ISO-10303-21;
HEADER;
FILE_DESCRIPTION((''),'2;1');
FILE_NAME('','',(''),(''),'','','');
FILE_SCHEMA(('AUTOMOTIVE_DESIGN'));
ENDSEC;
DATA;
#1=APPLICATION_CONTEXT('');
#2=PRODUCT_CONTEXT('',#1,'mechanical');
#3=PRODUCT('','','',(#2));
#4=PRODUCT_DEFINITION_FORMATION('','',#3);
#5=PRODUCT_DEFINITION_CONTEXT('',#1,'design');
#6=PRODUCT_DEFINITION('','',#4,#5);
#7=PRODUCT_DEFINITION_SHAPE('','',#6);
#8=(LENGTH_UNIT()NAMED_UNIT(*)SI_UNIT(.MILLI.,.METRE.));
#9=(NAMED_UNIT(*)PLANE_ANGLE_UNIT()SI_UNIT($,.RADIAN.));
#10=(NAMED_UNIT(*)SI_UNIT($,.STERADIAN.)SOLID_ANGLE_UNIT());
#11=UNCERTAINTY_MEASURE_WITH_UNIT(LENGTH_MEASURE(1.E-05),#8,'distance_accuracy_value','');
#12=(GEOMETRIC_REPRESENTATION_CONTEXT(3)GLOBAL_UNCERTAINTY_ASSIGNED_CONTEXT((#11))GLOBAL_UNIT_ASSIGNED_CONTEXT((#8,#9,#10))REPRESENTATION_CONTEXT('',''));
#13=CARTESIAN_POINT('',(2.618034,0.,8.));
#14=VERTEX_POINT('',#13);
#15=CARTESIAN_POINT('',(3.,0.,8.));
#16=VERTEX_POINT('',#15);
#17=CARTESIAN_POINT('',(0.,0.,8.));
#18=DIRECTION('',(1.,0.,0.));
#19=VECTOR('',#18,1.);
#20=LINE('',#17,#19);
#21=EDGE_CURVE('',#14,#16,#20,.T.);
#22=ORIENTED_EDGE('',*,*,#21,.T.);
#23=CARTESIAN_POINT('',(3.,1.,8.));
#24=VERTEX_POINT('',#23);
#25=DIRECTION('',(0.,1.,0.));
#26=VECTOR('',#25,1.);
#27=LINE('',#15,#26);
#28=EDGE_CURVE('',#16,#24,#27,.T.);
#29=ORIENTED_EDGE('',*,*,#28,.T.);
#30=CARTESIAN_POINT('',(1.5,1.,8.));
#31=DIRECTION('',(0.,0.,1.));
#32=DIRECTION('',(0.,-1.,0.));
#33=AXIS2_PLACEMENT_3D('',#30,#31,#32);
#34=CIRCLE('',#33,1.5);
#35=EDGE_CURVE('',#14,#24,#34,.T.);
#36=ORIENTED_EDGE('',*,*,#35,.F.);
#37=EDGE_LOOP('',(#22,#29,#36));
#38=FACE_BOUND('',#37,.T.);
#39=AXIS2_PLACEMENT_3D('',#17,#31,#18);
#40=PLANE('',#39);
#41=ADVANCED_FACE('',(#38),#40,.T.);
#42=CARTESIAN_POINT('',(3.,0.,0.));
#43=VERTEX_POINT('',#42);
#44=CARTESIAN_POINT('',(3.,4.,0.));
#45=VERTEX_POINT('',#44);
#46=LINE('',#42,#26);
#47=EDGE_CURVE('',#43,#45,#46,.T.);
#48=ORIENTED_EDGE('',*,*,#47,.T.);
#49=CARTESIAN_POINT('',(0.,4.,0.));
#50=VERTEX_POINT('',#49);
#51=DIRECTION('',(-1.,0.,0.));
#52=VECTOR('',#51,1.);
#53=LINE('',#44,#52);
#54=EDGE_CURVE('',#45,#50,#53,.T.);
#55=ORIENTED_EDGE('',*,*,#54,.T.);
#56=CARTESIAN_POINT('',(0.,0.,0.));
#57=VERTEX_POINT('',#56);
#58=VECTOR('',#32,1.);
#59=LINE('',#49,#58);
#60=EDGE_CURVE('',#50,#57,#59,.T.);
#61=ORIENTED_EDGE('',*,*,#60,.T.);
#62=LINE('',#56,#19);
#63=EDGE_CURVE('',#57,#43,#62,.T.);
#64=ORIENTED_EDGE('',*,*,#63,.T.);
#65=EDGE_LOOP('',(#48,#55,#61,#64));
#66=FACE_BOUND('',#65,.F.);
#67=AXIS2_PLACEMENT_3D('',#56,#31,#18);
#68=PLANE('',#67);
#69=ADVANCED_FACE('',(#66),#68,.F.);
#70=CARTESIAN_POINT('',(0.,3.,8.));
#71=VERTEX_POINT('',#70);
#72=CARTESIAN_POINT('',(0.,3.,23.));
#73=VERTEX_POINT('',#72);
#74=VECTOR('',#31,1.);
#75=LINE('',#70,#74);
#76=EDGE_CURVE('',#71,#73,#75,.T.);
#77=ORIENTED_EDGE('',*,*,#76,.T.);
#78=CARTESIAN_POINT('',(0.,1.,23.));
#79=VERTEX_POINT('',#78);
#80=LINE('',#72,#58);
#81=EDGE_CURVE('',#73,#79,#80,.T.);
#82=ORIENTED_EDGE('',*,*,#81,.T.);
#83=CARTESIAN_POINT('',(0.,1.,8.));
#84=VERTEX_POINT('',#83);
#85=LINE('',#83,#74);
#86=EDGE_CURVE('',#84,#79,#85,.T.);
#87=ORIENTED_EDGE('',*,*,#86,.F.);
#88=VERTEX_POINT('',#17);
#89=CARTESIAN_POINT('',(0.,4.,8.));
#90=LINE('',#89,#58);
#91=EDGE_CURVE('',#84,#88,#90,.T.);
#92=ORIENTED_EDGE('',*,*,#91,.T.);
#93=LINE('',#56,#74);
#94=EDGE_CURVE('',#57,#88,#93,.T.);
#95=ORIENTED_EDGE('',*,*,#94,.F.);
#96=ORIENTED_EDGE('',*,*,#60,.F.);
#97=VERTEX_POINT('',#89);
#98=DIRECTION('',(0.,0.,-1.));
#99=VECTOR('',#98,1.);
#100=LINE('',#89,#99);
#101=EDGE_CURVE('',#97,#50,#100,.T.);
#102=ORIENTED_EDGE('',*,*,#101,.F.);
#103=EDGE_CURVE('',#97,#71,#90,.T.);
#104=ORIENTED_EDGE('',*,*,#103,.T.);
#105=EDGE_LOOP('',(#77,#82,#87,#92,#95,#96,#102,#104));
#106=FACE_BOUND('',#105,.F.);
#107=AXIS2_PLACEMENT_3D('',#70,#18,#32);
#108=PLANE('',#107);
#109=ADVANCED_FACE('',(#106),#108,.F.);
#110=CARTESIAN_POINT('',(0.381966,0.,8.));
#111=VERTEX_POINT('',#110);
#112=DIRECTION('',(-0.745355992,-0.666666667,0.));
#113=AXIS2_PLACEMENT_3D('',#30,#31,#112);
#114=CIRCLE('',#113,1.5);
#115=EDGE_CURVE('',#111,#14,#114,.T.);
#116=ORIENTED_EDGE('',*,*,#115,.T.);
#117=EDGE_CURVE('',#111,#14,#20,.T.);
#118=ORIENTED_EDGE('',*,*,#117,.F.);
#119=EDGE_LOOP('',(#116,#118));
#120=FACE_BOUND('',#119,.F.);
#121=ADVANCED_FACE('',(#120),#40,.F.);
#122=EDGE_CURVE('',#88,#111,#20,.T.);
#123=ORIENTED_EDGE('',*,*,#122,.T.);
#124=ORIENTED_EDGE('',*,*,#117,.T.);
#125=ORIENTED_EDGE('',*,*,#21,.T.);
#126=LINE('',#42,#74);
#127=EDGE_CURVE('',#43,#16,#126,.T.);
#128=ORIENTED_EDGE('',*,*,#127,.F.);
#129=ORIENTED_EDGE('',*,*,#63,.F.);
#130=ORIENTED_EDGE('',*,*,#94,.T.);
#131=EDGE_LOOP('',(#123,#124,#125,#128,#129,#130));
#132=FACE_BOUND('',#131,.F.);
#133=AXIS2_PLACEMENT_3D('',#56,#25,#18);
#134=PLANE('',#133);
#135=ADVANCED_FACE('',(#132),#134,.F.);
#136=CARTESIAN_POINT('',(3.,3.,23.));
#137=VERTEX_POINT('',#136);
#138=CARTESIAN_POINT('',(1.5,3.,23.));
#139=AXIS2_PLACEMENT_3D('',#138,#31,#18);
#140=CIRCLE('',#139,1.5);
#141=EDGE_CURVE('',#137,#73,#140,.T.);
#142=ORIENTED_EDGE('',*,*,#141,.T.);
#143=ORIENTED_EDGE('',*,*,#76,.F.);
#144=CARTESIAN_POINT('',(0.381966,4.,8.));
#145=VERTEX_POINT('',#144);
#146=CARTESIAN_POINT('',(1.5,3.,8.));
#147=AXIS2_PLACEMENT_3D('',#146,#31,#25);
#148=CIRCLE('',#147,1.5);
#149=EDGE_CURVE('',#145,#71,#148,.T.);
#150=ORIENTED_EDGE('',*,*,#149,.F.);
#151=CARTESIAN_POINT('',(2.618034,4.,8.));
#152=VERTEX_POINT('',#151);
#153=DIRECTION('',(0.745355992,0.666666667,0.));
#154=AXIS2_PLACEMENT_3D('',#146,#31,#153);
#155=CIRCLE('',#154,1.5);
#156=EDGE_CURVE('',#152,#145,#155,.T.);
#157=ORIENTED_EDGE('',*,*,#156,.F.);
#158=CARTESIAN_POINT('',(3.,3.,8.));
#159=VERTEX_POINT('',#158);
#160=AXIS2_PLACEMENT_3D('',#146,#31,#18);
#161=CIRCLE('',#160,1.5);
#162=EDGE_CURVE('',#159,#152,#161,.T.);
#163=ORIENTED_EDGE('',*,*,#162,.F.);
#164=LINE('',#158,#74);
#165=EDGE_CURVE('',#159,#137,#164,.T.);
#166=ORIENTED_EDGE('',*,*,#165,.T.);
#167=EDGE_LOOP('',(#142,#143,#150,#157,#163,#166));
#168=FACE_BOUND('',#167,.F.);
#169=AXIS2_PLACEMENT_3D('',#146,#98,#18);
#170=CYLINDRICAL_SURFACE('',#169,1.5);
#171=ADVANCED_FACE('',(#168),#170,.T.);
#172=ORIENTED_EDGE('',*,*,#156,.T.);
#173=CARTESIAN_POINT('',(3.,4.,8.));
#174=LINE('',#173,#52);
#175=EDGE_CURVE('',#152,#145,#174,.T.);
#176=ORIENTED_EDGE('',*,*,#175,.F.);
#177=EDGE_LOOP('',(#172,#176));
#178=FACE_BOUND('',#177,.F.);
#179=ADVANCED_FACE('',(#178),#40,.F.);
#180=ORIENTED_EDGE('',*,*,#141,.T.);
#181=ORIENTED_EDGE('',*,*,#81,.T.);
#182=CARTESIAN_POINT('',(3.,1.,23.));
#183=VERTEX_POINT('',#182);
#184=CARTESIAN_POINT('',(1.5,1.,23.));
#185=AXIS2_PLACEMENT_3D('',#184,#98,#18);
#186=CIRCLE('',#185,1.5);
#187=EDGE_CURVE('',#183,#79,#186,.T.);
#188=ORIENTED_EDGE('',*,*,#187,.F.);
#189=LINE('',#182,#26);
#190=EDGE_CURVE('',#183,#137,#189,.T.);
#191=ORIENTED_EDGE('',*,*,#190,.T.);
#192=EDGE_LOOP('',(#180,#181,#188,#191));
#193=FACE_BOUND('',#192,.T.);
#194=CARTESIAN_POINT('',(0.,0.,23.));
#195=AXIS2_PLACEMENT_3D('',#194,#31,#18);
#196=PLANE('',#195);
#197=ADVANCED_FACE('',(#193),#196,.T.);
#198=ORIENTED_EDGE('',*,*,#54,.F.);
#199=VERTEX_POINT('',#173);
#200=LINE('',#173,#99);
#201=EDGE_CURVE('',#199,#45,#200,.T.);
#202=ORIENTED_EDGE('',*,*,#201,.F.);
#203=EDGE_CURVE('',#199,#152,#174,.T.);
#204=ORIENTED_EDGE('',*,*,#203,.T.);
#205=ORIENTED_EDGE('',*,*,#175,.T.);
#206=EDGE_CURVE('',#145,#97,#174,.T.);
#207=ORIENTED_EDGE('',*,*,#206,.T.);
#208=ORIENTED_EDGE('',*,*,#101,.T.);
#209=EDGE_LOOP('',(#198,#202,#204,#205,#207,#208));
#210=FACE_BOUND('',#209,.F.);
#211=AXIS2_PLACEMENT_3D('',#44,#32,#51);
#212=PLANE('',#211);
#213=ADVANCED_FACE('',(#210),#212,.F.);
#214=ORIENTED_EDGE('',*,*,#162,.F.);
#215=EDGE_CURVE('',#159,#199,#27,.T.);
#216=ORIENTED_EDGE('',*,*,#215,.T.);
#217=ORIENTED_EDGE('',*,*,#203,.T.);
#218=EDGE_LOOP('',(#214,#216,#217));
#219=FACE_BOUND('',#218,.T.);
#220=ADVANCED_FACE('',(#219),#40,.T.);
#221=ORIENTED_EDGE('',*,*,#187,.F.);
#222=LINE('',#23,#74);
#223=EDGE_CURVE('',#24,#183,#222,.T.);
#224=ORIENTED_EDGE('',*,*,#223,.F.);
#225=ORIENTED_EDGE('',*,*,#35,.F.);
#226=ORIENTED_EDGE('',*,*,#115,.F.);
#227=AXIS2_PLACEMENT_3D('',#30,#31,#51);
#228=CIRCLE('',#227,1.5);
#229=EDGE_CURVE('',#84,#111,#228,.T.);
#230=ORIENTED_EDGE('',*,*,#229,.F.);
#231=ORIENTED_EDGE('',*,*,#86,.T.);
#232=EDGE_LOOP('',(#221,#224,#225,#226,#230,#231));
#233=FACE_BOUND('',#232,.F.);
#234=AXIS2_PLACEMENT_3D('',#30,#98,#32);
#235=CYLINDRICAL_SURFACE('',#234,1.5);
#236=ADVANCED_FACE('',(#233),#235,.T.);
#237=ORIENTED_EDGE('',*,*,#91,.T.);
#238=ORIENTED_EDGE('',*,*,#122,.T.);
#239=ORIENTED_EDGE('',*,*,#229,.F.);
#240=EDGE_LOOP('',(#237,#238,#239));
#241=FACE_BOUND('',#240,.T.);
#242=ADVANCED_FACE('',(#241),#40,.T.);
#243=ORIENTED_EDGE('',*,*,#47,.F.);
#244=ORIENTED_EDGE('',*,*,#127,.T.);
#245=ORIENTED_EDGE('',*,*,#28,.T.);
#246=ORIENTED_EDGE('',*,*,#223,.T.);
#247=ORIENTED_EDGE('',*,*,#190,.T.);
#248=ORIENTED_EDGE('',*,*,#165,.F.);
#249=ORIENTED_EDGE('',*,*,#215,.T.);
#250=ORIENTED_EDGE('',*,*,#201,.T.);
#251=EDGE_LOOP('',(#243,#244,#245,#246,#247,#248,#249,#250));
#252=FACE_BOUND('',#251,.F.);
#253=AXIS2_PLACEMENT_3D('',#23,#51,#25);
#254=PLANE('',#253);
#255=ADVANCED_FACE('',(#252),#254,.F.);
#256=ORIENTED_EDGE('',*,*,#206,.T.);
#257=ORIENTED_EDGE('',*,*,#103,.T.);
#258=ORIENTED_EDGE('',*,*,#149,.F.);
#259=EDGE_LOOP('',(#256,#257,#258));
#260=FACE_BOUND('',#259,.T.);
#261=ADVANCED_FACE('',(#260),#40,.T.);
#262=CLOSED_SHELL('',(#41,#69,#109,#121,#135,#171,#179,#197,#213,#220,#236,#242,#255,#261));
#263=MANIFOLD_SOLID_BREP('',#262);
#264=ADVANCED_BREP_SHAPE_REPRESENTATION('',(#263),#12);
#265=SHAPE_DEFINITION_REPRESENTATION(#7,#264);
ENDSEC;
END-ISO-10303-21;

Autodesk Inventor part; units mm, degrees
ref_plane "YZ Plane" through (0, 0, 0) normal (1, 0, 0) x (0, 1, 0)
ref_plane "XZ Plane" through (0, 0, 0) normal (0, 1, 0) x (-1, 0, 0)
ref_plane "XY Plane" through (0, 0, 0) normal (0, 0, 1) x (1, 0, 0)
sketch "Sketch1" plane through (0, 0, 0) normal (0, 0, 1) x (1, 0, 0)
  line L0 (0, 0) -> (3, 0)
  line L1 (3, 0) -> (3, 4)
  line L2 (3, 4) -> (0, 4)
  line L3 (0, 4) -> (0, 0)
  dimension "d0" = 3
  dimension "d1" = 4
extrude "Extrusion1" add sketch "Sketch1" along normal blind 4
sketch "Sketch2" plane through (0, 0, 4) normal (0, 0, 1) x (1, 0, 0)
  line L0 (0, 0) -> (3, 0)
  line L1 (3, 0) -> (3, 4)
  line L2 (3, 4) -> (0, 4)
  line L3 (0, 4) -> (0, 0)
  dimension "d4" = 3
  dimension "d5" = 4
extrude "Extrusion2" add sketch "Sketch2" along normal blind 4
sketch "Sketch3" plane through (0, 0, 8) normal (0, 0, 1) x (1, 0, 0)
  line L0 (1.5, -0.5) -> (1.5, -0.5)
  line L1 (3, 1) -> (3, 3)
  line L2 (1.5, 4.5) -> (1.5, 4.5)
  line L3 (0, 3) -> (0, 1)
  arc A0 (1.5, 4.5) -> (0, 3) centre (1.5, 3) ccw
  arc A1 (0, 1) -> (1.5, -0.5) centre (1.5, 1) ccw
  arc A2 (1.5, -0.5) -> (3, 1) centre (1.5, 1) ccw
  arc A3 (3, 3) -> (1.5, 4.5) centre (1.5, 3) ccw
  point P0 (0, 0)
  point P1 (3, 4.5)
  point P2 (3, -0.5)
  point P3 (0, 4.5)
  dimension "d8" = 3
  dimension "d9" = 5
  dimension "d10" = 1.5
  dimension "d11" = 1.5
extrude "Extrusion3" add sketch "Sketch3" along normal blind 15
properties part number "button_press"
